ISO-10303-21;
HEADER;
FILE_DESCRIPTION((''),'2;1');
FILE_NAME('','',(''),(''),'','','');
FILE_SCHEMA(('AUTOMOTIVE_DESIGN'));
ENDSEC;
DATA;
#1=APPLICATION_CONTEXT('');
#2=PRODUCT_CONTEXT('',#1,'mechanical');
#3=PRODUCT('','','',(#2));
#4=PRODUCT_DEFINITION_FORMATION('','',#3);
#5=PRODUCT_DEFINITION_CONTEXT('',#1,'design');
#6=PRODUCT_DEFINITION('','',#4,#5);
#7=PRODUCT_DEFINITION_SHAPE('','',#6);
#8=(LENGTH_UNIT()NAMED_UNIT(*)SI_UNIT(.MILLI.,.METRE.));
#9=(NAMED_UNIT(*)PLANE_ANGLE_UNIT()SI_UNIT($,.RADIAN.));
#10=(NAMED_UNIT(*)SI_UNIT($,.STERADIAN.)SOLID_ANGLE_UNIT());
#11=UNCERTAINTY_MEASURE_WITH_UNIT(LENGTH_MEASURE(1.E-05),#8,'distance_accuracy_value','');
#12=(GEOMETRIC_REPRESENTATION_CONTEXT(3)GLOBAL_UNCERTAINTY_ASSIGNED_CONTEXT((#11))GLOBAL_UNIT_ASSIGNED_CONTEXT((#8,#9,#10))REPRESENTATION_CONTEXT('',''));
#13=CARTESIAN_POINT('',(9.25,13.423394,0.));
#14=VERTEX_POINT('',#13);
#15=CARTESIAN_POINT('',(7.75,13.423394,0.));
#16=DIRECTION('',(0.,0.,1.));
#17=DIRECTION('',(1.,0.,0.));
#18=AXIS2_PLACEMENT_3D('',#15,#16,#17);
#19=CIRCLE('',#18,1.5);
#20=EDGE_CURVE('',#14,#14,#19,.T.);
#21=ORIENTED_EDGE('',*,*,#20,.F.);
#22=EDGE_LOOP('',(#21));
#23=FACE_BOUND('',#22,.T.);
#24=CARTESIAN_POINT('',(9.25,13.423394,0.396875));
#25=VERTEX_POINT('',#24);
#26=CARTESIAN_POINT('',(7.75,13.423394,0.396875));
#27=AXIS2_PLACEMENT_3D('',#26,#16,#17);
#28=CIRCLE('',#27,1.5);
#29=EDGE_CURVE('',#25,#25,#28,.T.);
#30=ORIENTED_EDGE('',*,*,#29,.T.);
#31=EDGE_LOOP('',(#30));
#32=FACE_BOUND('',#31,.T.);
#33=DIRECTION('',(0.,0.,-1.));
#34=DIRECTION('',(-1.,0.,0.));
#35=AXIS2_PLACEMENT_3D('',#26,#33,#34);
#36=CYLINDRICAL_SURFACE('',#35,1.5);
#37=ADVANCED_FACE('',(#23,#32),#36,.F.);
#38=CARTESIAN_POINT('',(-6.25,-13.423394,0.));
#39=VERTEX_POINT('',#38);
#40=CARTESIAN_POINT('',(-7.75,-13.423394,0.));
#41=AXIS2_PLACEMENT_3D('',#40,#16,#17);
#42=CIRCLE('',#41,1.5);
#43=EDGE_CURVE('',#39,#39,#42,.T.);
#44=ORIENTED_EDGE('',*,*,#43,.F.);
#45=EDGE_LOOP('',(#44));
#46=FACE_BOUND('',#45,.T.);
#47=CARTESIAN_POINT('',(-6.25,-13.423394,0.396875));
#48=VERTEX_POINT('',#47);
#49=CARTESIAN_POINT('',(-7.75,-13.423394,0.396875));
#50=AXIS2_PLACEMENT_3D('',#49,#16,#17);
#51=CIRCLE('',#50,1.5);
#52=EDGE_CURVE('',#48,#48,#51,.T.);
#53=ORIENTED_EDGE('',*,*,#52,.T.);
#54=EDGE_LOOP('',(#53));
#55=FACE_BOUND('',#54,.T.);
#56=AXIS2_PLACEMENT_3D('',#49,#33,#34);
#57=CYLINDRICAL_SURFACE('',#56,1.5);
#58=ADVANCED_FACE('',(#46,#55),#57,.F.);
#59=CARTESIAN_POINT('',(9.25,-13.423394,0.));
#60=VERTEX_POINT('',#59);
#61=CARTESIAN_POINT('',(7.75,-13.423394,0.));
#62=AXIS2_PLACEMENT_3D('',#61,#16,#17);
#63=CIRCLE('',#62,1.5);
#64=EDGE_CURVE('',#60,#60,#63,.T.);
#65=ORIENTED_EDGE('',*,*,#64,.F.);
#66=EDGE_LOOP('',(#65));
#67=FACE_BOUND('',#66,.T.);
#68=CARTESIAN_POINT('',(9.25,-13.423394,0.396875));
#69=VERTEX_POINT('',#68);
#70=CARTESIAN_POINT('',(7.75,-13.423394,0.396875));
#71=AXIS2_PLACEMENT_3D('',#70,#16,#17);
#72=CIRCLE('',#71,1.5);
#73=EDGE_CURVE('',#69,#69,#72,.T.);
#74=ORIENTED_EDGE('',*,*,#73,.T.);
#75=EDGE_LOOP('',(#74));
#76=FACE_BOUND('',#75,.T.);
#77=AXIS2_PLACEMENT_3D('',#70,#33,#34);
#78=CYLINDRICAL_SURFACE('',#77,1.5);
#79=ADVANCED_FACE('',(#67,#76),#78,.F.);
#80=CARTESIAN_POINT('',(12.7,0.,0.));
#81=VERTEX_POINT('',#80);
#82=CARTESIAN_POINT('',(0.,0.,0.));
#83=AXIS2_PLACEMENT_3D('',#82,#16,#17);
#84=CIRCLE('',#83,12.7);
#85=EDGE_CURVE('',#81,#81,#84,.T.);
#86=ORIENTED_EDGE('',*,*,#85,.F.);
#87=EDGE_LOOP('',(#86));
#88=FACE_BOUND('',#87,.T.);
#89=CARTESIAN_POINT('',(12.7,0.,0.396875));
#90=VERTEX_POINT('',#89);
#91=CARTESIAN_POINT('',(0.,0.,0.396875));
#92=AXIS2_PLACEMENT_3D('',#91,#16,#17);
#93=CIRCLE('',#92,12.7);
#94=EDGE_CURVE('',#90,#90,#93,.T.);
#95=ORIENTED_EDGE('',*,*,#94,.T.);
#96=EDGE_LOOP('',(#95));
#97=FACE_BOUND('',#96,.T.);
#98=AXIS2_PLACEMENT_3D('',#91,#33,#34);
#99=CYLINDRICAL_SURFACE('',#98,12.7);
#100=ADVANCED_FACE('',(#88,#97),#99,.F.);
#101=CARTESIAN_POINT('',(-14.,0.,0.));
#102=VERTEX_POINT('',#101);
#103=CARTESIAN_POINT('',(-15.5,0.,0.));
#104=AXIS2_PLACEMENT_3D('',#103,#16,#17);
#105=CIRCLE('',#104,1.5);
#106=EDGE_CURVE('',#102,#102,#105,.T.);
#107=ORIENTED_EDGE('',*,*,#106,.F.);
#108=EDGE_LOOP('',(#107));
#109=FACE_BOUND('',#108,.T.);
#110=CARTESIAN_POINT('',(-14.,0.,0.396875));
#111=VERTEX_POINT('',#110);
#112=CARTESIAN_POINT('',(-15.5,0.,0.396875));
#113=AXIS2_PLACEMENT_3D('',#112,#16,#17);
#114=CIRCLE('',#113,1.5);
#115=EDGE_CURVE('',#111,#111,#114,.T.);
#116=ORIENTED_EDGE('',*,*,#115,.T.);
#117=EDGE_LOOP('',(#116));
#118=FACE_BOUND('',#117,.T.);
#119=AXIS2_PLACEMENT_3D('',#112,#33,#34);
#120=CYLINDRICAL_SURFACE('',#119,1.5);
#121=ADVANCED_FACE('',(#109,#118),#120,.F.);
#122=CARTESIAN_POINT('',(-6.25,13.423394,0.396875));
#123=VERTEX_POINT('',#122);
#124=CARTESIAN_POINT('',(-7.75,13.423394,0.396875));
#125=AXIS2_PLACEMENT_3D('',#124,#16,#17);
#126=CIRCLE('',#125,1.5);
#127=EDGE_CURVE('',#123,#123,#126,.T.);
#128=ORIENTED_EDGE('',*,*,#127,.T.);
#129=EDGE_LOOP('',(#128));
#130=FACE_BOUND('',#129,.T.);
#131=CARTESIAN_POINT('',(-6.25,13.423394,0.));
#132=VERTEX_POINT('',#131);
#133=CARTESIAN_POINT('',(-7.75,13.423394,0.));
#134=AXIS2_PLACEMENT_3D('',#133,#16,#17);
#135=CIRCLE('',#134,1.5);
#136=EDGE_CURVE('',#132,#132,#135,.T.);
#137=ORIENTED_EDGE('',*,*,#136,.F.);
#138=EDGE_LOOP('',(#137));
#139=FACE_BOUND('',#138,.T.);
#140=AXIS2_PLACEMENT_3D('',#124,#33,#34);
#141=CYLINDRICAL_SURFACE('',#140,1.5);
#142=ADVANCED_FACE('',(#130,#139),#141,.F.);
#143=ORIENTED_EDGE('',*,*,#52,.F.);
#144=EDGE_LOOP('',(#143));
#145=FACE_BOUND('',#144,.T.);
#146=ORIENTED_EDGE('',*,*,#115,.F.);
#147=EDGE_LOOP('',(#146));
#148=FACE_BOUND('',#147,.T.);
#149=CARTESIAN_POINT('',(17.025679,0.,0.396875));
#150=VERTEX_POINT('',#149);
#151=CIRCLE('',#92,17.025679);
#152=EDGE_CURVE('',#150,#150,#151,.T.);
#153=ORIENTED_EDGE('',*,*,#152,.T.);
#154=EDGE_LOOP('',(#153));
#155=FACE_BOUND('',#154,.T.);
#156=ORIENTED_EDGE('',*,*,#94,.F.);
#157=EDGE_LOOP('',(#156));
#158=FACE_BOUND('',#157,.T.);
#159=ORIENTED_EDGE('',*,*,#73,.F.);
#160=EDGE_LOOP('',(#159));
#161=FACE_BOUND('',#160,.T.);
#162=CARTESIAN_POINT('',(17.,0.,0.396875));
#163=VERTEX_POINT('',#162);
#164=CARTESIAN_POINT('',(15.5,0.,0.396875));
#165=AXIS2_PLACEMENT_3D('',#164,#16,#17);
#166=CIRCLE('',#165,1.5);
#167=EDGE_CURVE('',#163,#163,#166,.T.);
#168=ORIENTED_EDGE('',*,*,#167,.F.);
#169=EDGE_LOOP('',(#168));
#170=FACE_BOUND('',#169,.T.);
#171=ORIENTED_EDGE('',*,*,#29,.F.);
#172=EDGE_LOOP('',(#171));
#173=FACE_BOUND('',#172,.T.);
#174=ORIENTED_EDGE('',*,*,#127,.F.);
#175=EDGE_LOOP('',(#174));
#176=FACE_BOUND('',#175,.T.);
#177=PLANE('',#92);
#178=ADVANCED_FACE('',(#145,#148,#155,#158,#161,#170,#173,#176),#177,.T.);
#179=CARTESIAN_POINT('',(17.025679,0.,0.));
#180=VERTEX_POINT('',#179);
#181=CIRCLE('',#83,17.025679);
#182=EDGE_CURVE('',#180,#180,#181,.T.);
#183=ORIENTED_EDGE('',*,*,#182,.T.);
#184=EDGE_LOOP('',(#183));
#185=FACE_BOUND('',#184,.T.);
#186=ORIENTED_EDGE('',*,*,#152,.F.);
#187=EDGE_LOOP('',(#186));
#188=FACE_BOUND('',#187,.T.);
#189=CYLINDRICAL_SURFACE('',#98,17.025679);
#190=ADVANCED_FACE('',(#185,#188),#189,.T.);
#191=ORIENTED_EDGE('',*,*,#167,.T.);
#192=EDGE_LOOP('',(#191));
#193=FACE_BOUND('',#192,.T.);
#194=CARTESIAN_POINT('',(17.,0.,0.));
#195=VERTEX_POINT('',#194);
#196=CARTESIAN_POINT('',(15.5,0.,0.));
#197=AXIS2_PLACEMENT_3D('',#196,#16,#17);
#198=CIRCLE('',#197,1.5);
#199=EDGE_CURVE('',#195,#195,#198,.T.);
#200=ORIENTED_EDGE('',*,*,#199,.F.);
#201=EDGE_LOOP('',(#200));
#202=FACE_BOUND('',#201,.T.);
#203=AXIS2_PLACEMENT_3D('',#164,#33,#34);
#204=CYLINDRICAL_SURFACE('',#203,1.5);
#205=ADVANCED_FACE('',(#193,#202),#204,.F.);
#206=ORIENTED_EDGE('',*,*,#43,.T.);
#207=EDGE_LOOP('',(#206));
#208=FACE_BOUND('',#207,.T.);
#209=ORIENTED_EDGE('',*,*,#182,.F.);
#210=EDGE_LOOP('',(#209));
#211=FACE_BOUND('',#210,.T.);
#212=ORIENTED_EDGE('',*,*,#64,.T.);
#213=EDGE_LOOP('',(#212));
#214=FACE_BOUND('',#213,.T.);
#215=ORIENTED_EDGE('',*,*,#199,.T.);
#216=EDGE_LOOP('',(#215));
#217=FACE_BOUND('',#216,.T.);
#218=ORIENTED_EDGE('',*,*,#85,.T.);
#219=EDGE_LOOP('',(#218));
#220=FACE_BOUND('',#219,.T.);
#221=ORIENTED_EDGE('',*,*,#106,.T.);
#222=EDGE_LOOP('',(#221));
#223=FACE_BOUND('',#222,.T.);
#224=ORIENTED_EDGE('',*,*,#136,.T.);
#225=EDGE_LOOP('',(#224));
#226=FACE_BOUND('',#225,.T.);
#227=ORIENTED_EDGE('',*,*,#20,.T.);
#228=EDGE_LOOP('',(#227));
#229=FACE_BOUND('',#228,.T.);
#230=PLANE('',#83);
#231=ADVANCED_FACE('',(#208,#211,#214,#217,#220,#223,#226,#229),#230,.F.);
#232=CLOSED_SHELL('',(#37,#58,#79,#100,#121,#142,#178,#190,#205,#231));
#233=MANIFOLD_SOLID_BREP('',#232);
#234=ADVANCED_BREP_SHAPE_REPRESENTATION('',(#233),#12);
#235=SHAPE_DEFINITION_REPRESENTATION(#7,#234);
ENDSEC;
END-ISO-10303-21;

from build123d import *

# Parameters (mm, degrees)
SKETCH1_R           = 17.025679244
SKETCH1_R_2         = 1.5
SKETCH1_R_3         = 12.7
BOSS_EXTRUDE1_DEPTH = 0.396875


with BuildPart() as part:
    # Sketch1 → Boss-Extrude1 (new body)
    with BuildSketch(Plane.XY):
        Circle(SKETCH1_R)
        with Locations((-15.5, 0)):
            Circle(SKETCH1_R_2, mode=Mode.SUBTRACT)
        with Locations((-7.75, 13.423393759)):
            Circle(SKETCH1_R_2, mode=Mode.SUBTRACT)
        with Locations((7.75, 13.423393759)):
            Circle(SKETCH1_R_2, mode=Mode.SUBTRACT)
        with Locations((15.5, 0)):
            Circle(SKETCH1_R_2, mode=Mode.SUBTRACT)
        with Locations((7.75, -13.423393759)):
            Circle(SKETCH1_R_2, mode=Mode.SUBTRACT)
        with Locations((-7.75, -13.423393759)):
            Circle(SKETCH1_R_2, mode=Mode.SUBTRACT)
        Circle(SKETCH1_R_3, mode=Mode.SUBTRACT)
    extrude(amount=BOSS_EXTRUDE1_DEPTH)


solid = part.part
